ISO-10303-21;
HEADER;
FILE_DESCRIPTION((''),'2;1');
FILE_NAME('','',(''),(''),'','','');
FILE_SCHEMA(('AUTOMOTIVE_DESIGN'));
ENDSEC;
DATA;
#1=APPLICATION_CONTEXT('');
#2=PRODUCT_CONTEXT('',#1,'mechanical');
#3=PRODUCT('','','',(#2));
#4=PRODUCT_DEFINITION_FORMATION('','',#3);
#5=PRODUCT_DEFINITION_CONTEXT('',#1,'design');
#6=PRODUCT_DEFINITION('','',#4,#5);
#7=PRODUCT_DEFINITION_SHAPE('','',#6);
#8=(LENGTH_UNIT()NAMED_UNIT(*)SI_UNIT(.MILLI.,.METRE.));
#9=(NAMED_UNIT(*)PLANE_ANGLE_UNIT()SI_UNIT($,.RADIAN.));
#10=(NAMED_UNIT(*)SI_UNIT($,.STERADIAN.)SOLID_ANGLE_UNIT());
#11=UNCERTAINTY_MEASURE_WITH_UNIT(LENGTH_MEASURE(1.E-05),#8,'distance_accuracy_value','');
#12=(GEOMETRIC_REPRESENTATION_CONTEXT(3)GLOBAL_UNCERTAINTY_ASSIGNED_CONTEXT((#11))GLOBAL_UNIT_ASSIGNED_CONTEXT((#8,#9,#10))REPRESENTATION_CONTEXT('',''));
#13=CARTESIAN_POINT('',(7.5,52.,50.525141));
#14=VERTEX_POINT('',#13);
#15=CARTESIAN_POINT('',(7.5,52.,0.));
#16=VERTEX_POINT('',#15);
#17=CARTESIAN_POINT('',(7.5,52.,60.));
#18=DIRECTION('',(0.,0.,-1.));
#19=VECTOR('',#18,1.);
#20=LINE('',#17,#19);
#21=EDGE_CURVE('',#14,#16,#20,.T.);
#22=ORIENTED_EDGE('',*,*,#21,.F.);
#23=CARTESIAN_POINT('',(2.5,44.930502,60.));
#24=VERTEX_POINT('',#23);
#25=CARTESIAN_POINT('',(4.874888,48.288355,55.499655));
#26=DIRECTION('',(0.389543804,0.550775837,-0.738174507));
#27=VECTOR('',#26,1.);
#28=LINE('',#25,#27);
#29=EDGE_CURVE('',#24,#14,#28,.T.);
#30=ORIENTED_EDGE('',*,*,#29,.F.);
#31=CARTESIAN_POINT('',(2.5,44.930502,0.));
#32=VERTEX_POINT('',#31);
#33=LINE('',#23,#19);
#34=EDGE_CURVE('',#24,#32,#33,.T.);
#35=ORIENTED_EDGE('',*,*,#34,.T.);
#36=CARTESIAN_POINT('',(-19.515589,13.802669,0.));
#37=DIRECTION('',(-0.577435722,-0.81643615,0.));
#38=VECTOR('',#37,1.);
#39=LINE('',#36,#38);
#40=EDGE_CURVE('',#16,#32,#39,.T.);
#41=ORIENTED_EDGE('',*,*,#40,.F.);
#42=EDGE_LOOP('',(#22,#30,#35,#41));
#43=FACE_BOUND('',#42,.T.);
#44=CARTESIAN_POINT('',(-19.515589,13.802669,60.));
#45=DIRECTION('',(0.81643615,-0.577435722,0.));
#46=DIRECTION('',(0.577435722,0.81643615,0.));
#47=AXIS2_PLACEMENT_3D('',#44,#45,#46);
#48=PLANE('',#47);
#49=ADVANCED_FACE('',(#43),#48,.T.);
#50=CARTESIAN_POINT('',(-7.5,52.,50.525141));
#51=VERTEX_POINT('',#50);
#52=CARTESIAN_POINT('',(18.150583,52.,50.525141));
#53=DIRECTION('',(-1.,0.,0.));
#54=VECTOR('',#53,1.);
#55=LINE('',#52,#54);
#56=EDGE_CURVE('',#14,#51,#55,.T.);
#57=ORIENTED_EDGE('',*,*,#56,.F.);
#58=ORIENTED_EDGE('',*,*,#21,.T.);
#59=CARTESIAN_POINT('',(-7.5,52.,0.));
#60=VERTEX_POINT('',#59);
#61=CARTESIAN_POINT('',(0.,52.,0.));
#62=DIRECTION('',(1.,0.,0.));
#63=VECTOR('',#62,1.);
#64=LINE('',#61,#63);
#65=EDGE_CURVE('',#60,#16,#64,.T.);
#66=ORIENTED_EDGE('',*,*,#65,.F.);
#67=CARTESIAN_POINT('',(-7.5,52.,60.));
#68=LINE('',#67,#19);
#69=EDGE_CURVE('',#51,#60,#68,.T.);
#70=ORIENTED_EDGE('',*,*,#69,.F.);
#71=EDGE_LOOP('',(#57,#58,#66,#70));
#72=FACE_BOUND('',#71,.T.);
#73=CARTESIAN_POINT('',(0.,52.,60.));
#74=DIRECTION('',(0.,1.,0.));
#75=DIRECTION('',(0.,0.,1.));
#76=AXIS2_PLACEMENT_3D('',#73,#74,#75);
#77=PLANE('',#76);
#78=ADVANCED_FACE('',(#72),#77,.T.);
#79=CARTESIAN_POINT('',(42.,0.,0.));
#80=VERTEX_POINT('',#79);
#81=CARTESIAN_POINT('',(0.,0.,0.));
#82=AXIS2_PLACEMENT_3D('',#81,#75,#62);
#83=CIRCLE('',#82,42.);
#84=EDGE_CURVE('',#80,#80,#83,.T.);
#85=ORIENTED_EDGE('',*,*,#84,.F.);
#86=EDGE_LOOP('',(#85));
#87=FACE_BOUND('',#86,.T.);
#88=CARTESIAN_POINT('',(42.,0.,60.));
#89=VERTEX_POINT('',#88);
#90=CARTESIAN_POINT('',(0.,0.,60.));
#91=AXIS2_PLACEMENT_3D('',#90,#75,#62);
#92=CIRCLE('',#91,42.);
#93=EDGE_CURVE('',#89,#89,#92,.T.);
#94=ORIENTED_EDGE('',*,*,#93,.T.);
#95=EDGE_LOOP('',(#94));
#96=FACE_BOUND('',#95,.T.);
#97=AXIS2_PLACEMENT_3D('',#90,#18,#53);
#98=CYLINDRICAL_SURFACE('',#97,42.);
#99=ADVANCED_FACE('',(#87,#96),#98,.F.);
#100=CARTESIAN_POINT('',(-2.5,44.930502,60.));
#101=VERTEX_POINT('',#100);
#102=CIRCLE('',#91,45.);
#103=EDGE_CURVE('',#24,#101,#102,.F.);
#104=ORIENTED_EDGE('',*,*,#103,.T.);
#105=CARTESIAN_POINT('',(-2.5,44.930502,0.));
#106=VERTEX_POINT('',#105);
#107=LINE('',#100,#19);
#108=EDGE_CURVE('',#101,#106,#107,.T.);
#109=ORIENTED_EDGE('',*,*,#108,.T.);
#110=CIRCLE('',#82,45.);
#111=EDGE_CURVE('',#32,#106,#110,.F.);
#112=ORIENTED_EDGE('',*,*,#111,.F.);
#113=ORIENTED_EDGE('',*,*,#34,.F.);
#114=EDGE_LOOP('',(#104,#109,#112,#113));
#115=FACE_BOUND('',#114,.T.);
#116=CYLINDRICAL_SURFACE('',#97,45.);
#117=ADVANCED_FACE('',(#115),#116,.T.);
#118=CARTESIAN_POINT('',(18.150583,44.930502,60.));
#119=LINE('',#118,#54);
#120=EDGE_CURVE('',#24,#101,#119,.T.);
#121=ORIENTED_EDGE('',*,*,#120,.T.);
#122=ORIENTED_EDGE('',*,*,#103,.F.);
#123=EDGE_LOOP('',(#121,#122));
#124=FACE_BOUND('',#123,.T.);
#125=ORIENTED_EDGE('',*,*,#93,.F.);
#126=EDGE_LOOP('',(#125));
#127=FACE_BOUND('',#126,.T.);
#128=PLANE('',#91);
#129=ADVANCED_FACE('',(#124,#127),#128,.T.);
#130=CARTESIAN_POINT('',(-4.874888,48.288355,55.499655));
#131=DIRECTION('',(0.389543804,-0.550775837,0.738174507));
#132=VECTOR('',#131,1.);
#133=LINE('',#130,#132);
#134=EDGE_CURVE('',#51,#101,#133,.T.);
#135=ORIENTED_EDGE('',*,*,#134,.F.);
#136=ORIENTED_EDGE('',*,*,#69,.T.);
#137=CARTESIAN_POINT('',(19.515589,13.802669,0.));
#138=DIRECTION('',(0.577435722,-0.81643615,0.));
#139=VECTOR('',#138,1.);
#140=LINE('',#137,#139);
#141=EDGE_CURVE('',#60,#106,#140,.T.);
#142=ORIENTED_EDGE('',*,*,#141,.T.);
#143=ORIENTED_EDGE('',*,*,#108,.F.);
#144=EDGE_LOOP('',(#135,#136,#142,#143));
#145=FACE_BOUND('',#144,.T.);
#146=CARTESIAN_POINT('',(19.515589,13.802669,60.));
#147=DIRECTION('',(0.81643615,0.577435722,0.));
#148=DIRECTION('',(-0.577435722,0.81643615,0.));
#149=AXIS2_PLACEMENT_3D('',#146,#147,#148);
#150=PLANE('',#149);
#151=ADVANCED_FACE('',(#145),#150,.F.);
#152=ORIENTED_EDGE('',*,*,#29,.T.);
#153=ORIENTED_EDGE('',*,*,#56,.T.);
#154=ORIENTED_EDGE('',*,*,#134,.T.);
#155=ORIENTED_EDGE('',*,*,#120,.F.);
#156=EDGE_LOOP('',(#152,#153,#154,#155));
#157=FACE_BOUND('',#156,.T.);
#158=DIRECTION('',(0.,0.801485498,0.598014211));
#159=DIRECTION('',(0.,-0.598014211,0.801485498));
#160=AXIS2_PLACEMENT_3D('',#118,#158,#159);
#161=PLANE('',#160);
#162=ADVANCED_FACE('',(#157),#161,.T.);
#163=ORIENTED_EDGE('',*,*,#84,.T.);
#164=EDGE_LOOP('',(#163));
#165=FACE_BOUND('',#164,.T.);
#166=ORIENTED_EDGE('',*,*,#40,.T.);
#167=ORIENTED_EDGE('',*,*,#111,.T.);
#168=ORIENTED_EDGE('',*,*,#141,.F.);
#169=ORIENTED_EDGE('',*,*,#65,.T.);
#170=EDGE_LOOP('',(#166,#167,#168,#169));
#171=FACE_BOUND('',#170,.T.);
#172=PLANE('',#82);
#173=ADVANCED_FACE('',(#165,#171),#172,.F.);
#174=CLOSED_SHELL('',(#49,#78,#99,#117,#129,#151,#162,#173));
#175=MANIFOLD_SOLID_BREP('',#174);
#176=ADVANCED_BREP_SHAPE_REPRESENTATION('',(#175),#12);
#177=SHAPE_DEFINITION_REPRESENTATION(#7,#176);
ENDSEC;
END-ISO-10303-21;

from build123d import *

# Parameters (mm, degrees)
SKETCH1_R                      = 42
BOSS_EXTRUDE1_DEPTH            = 60
CUT_EXTRUDE1_REACH             = 47
CUT_EXTRUDE1_DIRECTION_2_REACH = 47


with BuildPart() as part:
    # Sketch1 → Boss-Extrude1 (new body)
    with BuildSketch(Plane.XY):
        with BuildLine():
            ThreePointArc((2.5, 44.930501889), (15.285447634, 42.324403016), (26.785714286, 36.159722209))
            ThreePointArc((26.785714286, 36.159722209), (-12.910485027, -43.108228639), (-2.5, 44.930501889))
            Line((-2.5, 44.930501889), (-7.5, 52))
            Line((-7.5, 52), (7.5, 52))
            Line((7.5, 52), (2.5, 44.930501889))
        make_face()
        Circle(SKETCH1_R, mode=Mode.SUBTRACT)
    extrude(amount=BOSS_EXTRUDE1_DEPTH)

    # Cut-Extrude1: up to this face of the body (flat: up to its plane)
    cut_extrude1_end = Plane(part.part.faces().sort_by_distance((5, 48.465250945, 30))[0])
    # Sketch2 → Cut-Extrude1 (cut, up to the picked face)
    with BuildSketch(Plane(origin=(0, 0, 0), x_dir=(0, 0, -1), z_dir=(1, 0, 0)), mode=Mode.PRIVATE) as cut_extrude1_sk1:
        Polygon((-60, 44.930501889), (-50.525141204, 52), (-60, 52), align=None)
    cut_extrude1_tool1 = split(extrude(cut_extrude1_sk1.sketch, amount=CUT_EXTRUDE1_REACH, mode=Mode.PRIVATE), bisect_by=cut_extrude1_end, keep=Keep.BOTH, mode=Mode.PRIVATE)
    add(cut_extrude1_tool1.solids().sort_by_distance((0, 49.643501, 56.841714))[0], mode=Mode.SUBTRACT)

    # Cut-Extrude1 direction 2: up to this face of the body (flat: up to its plane)
    cut_extrude1_direction_2_end = Plane(part.part.faces().sort_by_distance((-5, 48.465250945, 30))[0])
    # Sketch2 → Cut-Extrude1 direction 2 (cut, up to the picked face)
    with BuildSketch(Plane(origin=(0, 0, 0), x_dir=(0, 0, -1), z_dir=(1, 0, 0)), mode=Mode.PRIVATE) as cut_extrude1_direction_2_sk1:
        Polygon((-60, 44.930501889), (-50.525141204, 52), (-60, 52), align=None)
    cut_extrude1_direction_2_tool1 = split(extrude(cut_extrude1_direction_2_sk1.sketch, amount=-CUT_EXTRUDE1_DIRECTION_2_REACH, mode=Mode.PRIVATE), bisect_by=cut_extrude1_direction_2_end, keep=Keep.BOTH, mode=Mode.PRIVATE)
    add(cut_extrude1_direction_2_tool1.solids().sort_by_distance((0, 49.643501, 56.841714))[0], mode=Mode.SUBTRACT)


solid = part.part
